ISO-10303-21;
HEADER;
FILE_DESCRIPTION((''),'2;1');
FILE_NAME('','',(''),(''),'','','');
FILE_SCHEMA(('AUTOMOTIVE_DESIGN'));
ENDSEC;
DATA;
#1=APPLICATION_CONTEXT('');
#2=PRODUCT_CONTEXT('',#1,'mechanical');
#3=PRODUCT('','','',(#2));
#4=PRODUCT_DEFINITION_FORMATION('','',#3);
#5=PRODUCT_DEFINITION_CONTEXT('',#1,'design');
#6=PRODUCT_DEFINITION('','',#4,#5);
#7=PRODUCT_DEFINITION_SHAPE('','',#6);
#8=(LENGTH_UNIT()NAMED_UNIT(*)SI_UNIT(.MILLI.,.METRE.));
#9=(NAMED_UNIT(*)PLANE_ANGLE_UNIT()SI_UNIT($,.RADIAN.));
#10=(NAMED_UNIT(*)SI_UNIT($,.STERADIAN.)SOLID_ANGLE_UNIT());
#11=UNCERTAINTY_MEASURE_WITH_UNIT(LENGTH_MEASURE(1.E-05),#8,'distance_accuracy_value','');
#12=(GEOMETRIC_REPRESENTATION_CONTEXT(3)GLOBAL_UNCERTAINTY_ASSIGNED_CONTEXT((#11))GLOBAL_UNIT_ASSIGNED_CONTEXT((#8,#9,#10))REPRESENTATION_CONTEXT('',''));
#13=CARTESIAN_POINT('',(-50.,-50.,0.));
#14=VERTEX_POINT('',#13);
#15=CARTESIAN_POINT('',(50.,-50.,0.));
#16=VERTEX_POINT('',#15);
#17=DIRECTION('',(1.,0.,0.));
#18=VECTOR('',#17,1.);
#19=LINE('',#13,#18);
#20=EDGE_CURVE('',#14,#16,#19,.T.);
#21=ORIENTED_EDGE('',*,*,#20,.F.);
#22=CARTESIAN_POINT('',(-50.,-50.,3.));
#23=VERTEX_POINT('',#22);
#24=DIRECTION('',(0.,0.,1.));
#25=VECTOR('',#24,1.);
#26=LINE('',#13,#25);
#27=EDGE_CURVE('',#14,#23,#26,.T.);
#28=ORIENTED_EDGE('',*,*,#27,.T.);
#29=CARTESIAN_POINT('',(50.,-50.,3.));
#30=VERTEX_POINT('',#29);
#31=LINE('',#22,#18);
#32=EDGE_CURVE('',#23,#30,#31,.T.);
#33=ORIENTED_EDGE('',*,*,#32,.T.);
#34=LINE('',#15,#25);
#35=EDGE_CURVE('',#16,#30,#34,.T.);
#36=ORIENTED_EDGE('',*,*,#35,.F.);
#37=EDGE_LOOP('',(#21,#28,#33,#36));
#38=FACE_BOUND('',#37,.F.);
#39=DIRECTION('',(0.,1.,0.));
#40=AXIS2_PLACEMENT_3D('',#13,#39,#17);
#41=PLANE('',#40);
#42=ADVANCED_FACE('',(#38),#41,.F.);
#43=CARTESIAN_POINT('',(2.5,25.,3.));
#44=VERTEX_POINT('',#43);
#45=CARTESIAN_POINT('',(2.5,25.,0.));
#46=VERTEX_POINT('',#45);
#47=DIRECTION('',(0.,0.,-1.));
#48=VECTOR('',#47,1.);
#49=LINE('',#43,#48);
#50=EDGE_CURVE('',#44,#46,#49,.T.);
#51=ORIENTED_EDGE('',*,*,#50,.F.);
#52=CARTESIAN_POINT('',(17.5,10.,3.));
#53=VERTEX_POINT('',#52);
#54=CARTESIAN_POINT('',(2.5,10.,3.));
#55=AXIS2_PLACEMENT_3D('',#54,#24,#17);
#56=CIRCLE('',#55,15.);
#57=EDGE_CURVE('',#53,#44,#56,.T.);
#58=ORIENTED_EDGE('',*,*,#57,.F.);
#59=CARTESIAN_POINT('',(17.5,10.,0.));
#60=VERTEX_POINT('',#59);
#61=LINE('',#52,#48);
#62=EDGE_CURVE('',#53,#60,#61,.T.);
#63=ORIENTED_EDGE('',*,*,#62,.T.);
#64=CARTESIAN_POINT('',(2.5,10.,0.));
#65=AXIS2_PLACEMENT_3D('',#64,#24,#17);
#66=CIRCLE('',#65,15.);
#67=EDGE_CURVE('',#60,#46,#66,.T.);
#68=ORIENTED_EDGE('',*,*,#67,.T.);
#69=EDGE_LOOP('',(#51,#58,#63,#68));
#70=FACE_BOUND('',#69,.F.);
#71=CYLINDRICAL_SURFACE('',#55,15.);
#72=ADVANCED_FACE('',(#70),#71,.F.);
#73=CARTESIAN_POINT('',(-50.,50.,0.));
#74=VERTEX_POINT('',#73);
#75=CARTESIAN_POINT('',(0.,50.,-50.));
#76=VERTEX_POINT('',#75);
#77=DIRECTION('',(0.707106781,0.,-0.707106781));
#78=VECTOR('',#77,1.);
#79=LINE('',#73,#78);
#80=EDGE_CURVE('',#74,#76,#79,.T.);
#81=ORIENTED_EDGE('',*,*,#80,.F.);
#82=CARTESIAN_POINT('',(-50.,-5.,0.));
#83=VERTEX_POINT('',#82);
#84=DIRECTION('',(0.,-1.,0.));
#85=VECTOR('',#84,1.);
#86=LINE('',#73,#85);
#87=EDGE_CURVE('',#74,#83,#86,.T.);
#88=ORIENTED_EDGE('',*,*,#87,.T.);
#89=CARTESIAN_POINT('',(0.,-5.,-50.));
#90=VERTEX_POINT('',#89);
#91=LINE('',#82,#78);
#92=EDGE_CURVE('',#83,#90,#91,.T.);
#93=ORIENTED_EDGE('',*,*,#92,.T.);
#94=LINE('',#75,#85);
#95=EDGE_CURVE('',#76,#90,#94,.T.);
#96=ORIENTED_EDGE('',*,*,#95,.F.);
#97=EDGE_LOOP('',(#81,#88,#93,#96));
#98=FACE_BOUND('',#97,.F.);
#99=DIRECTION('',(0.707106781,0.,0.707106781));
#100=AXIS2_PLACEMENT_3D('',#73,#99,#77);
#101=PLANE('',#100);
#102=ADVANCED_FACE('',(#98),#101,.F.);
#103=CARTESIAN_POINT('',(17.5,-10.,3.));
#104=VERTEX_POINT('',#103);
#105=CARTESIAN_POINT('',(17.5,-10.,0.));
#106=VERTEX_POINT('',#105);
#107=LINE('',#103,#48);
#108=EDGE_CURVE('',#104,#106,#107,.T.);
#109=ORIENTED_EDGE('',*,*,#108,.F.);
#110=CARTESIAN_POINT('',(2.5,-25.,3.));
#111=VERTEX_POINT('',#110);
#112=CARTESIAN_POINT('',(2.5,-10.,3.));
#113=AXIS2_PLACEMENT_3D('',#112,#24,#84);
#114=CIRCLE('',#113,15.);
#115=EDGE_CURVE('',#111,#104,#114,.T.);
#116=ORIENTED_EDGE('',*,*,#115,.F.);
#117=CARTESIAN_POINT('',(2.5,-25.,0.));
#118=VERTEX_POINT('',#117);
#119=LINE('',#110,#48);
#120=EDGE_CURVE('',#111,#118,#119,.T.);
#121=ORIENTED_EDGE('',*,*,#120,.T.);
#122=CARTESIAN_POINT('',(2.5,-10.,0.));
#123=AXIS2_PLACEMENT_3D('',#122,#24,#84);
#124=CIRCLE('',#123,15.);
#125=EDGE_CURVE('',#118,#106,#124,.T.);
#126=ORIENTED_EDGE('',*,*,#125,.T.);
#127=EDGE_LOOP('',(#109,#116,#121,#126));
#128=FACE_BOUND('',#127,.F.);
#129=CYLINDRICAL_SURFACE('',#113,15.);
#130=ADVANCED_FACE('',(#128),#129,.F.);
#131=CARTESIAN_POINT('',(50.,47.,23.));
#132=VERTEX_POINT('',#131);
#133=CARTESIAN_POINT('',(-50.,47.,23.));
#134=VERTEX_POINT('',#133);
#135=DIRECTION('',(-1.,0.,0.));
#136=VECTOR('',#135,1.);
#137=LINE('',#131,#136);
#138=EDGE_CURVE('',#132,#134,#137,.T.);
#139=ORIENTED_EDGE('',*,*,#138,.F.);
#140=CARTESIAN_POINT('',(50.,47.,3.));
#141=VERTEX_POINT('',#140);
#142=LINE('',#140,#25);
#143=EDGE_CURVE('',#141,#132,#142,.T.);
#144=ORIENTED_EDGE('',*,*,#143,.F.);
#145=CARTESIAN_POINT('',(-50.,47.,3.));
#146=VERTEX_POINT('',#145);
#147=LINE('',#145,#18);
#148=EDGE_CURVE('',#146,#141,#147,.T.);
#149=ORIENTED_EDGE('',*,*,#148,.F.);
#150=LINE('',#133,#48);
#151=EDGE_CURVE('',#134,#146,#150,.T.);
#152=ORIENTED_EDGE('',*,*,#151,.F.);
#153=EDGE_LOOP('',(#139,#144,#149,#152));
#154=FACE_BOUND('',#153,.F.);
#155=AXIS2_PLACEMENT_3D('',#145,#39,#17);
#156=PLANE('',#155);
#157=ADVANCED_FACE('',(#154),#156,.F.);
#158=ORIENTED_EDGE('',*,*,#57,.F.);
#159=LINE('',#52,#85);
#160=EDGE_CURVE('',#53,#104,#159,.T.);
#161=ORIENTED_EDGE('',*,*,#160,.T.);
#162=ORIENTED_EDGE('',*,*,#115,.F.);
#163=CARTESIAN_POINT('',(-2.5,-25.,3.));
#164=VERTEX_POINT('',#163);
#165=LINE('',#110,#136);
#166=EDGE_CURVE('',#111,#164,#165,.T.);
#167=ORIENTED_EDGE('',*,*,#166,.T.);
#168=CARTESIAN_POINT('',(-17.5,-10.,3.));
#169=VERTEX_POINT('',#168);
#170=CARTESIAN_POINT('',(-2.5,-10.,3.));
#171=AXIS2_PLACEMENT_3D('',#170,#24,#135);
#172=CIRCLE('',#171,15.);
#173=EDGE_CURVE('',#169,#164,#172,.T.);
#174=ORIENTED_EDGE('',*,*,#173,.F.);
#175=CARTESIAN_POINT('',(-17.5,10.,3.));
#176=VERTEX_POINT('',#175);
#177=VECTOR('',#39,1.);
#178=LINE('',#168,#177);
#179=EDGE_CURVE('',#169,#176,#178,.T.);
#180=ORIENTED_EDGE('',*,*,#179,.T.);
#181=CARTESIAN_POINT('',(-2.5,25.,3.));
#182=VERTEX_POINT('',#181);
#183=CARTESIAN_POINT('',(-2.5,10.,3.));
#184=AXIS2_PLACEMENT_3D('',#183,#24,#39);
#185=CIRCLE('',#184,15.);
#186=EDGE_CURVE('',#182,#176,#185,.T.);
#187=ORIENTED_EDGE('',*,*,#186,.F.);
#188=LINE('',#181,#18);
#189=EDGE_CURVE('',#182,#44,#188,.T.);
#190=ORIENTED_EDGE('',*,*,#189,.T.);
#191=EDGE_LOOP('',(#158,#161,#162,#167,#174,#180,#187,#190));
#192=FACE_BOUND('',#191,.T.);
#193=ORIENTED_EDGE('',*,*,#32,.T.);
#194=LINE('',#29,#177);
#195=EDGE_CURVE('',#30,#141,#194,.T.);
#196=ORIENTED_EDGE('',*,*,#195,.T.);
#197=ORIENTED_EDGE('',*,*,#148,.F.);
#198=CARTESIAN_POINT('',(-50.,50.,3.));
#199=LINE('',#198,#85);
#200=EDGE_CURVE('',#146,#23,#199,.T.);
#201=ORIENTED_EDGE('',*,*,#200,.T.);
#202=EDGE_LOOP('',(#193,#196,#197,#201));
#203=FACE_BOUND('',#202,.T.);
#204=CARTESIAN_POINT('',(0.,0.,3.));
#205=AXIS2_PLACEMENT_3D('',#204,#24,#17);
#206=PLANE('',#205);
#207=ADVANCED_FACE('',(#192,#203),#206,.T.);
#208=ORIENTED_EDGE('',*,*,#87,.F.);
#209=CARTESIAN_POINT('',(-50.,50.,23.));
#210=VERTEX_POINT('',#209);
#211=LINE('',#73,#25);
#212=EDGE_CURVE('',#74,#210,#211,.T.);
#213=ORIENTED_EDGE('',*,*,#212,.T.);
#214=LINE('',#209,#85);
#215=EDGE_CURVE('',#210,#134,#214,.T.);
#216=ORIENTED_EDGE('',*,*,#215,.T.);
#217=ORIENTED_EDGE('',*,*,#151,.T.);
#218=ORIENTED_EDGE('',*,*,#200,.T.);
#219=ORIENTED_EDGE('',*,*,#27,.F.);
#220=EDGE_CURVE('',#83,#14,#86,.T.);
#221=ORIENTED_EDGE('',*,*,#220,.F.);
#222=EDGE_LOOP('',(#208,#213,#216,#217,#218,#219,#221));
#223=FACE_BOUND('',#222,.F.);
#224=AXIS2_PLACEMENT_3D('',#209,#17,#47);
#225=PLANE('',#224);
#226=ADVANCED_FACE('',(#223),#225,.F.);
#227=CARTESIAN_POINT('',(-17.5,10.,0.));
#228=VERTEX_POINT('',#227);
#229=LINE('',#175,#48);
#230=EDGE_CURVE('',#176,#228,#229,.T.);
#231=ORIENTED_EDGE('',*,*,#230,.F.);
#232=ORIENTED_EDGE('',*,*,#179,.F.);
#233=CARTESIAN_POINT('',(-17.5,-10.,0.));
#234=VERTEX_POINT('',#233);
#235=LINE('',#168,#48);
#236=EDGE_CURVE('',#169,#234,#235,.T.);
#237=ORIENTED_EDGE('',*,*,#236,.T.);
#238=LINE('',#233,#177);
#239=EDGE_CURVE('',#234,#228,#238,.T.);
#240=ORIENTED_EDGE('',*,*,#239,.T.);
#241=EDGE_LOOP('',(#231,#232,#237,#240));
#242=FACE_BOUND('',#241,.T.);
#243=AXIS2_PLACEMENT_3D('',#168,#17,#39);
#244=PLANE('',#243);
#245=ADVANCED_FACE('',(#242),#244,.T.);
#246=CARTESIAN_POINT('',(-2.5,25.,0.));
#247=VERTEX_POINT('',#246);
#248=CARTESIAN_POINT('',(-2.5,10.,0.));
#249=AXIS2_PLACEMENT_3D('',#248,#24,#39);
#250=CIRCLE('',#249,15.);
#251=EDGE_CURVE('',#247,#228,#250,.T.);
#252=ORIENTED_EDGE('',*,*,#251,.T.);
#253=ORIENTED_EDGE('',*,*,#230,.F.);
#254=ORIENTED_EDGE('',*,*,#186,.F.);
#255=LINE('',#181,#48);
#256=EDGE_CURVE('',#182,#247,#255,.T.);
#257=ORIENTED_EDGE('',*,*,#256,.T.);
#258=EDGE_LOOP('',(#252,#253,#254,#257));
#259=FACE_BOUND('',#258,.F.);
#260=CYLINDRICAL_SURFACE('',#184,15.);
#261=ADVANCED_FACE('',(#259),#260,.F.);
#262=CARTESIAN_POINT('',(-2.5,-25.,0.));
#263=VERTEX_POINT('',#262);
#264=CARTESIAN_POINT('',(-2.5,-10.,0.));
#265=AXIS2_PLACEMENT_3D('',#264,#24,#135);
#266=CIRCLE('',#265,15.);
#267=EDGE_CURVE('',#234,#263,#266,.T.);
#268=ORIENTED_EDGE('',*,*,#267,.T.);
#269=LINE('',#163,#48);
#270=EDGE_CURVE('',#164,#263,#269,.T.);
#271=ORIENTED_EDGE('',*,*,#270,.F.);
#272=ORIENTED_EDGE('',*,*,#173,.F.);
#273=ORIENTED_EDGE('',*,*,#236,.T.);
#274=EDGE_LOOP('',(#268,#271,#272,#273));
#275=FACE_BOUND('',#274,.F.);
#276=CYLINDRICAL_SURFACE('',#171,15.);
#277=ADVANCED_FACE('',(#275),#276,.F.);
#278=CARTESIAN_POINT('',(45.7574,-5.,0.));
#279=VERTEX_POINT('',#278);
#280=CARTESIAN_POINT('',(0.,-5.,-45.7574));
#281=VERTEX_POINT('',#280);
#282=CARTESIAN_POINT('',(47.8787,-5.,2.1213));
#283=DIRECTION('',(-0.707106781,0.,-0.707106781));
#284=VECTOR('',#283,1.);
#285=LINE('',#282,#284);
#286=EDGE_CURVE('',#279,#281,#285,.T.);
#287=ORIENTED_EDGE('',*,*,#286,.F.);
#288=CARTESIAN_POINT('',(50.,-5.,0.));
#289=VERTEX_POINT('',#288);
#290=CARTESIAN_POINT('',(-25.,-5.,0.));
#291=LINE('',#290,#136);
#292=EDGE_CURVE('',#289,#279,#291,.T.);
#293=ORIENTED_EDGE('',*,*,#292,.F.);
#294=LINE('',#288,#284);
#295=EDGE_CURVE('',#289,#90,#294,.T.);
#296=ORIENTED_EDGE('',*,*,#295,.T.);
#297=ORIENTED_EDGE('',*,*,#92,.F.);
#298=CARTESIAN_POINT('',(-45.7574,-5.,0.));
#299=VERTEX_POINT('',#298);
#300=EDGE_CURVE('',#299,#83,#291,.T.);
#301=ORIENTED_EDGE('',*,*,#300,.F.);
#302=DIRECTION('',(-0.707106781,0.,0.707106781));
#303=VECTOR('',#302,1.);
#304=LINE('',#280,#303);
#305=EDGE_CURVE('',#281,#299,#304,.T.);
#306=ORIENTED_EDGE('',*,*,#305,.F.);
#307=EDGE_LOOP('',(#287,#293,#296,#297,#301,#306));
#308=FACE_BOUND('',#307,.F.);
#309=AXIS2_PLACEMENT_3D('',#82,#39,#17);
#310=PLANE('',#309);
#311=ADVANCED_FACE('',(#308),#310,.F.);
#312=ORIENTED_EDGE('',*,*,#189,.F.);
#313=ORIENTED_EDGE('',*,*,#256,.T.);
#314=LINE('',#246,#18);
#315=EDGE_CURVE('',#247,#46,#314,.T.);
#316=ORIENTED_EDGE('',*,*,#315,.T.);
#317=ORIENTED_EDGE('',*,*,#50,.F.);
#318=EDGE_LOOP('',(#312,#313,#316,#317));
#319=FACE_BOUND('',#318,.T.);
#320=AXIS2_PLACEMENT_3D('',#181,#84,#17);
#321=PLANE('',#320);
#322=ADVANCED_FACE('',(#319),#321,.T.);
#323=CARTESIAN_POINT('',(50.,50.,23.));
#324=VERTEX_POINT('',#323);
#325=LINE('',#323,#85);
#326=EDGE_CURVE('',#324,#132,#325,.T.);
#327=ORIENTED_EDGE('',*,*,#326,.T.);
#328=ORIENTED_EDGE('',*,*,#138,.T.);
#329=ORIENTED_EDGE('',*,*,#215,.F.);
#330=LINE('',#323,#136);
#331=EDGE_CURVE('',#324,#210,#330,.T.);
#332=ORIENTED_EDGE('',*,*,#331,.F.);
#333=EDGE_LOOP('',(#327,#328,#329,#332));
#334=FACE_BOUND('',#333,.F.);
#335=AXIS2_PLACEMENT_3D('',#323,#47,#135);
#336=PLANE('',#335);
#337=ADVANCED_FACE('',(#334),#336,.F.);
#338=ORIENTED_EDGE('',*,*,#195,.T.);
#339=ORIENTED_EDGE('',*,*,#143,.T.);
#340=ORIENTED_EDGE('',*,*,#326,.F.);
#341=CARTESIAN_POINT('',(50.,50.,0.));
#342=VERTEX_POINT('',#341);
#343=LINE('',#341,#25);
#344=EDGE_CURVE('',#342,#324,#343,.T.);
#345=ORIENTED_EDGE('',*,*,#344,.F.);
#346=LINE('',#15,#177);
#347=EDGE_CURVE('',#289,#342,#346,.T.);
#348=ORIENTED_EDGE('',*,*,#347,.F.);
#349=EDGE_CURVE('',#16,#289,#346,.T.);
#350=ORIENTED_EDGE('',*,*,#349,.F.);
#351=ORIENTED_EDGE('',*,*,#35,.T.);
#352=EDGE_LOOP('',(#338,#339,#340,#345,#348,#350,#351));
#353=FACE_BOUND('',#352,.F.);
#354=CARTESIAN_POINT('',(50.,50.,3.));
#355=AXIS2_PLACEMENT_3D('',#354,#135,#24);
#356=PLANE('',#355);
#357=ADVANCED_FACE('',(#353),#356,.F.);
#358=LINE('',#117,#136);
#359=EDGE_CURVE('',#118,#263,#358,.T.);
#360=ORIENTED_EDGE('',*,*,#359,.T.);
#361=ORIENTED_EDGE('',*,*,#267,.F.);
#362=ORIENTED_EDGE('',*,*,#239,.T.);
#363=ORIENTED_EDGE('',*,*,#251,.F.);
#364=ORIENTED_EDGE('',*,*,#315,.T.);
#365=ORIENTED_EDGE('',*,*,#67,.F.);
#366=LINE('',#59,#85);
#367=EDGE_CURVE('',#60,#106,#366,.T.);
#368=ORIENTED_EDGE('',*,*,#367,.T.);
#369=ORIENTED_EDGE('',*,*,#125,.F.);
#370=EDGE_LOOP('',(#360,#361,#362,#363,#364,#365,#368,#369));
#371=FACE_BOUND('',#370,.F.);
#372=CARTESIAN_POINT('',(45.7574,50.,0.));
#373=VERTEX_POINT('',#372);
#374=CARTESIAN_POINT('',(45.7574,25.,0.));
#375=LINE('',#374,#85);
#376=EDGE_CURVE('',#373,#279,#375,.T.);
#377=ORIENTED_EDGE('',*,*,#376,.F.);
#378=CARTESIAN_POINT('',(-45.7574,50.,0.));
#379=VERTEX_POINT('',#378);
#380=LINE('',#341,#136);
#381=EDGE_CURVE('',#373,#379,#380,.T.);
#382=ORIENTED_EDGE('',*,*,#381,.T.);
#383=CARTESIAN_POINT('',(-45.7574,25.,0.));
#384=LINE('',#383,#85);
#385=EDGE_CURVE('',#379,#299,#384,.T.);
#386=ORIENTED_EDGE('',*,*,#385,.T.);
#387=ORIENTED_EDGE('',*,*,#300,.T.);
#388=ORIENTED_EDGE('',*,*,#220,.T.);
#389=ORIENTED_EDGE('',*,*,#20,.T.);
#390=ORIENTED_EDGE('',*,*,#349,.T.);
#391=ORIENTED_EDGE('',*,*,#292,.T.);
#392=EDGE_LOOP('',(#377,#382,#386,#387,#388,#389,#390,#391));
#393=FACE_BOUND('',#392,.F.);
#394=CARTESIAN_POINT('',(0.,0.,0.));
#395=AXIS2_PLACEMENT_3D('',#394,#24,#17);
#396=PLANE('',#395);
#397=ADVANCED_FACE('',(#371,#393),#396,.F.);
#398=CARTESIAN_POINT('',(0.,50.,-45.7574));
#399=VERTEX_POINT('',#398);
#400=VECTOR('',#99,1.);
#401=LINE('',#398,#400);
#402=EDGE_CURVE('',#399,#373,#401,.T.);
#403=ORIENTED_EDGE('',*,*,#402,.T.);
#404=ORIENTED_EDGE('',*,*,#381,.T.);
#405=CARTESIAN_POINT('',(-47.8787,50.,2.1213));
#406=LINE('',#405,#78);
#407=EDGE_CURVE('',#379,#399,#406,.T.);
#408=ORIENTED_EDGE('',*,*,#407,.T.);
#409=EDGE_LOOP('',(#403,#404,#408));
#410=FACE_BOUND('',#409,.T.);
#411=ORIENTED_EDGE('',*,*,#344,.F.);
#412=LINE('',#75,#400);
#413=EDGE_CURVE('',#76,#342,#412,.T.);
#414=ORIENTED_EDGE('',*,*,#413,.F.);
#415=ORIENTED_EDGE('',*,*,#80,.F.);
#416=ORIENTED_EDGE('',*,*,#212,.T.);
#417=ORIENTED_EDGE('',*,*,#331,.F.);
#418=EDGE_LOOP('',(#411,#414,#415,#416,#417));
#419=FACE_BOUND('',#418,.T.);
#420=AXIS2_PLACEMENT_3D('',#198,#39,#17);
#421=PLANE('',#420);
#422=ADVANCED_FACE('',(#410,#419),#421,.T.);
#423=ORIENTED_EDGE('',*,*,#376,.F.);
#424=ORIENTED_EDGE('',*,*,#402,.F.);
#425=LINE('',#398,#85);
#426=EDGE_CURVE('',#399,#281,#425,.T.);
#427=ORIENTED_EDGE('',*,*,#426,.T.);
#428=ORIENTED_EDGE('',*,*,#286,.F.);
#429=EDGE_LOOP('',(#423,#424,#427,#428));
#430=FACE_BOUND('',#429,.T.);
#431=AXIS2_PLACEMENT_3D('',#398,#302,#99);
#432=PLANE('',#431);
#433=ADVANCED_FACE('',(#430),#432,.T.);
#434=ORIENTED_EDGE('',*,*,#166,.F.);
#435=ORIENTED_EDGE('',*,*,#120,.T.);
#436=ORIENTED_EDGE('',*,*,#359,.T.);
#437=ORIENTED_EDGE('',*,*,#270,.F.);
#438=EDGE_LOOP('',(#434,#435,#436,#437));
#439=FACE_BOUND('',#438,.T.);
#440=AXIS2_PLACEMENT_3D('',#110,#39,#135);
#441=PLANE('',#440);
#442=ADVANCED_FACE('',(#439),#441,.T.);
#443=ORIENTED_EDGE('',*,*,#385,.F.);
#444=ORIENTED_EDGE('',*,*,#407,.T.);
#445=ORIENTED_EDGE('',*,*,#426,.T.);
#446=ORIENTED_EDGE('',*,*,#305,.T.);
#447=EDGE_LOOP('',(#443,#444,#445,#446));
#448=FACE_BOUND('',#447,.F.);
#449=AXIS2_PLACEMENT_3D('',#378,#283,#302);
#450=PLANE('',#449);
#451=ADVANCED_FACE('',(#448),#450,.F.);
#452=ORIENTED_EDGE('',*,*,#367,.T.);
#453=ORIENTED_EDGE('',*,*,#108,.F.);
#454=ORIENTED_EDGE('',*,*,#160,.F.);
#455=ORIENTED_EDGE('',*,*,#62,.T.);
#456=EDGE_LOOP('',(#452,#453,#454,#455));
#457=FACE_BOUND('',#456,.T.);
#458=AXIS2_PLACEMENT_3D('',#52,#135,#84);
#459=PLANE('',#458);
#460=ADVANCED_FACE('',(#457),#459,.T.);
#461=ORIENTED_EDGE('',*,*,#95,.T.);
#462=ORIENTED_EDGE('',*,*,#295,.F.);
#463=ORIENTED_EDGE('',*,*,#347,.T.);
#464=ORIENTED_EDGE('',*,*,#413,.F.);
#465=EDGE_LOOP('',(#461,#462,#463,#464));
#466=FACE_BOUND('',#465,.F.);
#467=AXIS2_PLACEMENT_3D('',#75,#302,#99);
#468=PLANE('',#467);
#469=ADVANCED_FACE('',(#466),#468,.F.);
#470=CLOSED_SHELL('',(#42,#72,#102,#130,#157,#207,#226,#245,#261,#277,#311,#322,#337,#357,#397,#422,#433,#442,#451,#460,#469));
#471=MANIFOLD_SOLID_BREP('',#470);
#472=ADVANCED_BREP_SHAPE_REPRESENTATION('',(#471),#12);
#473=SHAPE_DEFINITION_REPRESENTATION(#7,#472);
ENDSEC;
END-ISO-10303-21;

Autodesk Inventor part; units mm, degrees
ref_plane "YZ Plane" through (0, 0, 0) normal (1, 0, 0) x (0, 1, 0)
ref_plane "XZ Plane" through (0, 0, 0) normal (0, 1, 0) x (-1, 0, 0)
ref_plane "XY Plane" through (0, 0, 0) normal (0, 0, 1) x (1, 0, 0)
sketch "Sketch1" plane through (0, 0, 0) normal (0, 0, 1) x (1, 0, 0)
  line L0 (-50, -50) -> (50, -50)
  line L1 (50, -50) -> (50, 50)
  line L2 (50, 50) -> (-50, 50)
  line L3 (-50, 50) -> (-50, -50)
  line L4 (-50, -50) -> (50, 50) construction
  line L5 (50, -50) -> (-50, 50) construction
  point P0 (0, 0)
  dimension "d0" = 100
  dimension "d1" = 100
extrude "Extrusion1" add sketch "Sketch1" along normal blind 3
sketch "Sketch2" plane through (-50, 50, 0) normal (0, 1, 0) x (1, 0, 0)
  line L0 (0, 0) -> (100, 0) projected
  line L1 (0, 0) -> (50, 50)
  line L2 (50, 50) -> (52.1213, 47.8787)
  line L3 (52.1213, 47.8787) -> (2.1213, -2.1213)
  line L4 (2.1213, -2.1213) -> (0, 0)
  line L5 (0, 0) -> (70.7107, 0) construction
  line L6 (100, 0) -> (52.1213, 47.8787)
  line L7 (52.1213, 47.8787) -> (50, 45.7574)
  line L8 (50, 45.7574) -> (97.8787, -2.1213)
  line L9 (97.8787, -2.1213) -> (100, 0)
  point P0 (50, 0)
  dimension "d4" = 45
  dimension "d5" = 3
  dimension "d6" = 3
extrude "Extrusion2" add sketch "Sketch2" against normal blind 55 contours L1 L2 L3 L0 | L0 L3 L4 | L8 L3 L6 L0 | L0 L9 L8
sketch "Sketch3" plane through (0, 0, 3) normal (0, 0, 1) x (1, 0, 0)
  line L0 (2.5, -25) -> (-2.5, -25)
  line L1 (-17.5, -10) -> (-17.5, 10)
  line L2 (-2.5, 25) -> (2.5, 25)
  line L3 (17.5, 10) -> (17.5, -10)
  line L4 (17.5, -25) -> (-17.5, 25) construction
  line L5 (-17.5, -25) -> (17.5, 25) construction
  arc A0 (-2.5, 25) -> (-17.5, 10) centre (-2.5, 10) ccw
  arc A1 (17.5, 10) -> (2.5, 25) centre (2.5, 10) ccw
  arc A2 (2.5, -25) -> (17.5, -10) centre (2.5, -10) ccw
  arc A3 (-17.5, -10) -> (-2.5, -25) centre (-2.5, -10) ccw
  point P0 (0, 0)
  dimension "d9" = 35
  dimension "d10" = 50
  dimension "d11" = 15
extrude "Extrusion3" cut sketch "Sketch3" against normal blind 3
sketch "Sketch5" plane through (-50, 50, 3) normal (0, 1, 0) x (1, 0, 0)
  line L0 (0, 3) -> (0, 0) projected
  line L1 (0, 0) -> (100, 0)
  line L2 (100, 0) -> (100, -20)
  line L3 (100, -20) -> (0, -20)
  line L4 (0, -20) -> (0, 0)
  point P0 (50, 3)
  dimension "d16" = 100
  dimension "d17" = 20
extrude "Extrusion5" add sketch "Sketch5" against normal blind 3
properties part number "fixation_v02"
